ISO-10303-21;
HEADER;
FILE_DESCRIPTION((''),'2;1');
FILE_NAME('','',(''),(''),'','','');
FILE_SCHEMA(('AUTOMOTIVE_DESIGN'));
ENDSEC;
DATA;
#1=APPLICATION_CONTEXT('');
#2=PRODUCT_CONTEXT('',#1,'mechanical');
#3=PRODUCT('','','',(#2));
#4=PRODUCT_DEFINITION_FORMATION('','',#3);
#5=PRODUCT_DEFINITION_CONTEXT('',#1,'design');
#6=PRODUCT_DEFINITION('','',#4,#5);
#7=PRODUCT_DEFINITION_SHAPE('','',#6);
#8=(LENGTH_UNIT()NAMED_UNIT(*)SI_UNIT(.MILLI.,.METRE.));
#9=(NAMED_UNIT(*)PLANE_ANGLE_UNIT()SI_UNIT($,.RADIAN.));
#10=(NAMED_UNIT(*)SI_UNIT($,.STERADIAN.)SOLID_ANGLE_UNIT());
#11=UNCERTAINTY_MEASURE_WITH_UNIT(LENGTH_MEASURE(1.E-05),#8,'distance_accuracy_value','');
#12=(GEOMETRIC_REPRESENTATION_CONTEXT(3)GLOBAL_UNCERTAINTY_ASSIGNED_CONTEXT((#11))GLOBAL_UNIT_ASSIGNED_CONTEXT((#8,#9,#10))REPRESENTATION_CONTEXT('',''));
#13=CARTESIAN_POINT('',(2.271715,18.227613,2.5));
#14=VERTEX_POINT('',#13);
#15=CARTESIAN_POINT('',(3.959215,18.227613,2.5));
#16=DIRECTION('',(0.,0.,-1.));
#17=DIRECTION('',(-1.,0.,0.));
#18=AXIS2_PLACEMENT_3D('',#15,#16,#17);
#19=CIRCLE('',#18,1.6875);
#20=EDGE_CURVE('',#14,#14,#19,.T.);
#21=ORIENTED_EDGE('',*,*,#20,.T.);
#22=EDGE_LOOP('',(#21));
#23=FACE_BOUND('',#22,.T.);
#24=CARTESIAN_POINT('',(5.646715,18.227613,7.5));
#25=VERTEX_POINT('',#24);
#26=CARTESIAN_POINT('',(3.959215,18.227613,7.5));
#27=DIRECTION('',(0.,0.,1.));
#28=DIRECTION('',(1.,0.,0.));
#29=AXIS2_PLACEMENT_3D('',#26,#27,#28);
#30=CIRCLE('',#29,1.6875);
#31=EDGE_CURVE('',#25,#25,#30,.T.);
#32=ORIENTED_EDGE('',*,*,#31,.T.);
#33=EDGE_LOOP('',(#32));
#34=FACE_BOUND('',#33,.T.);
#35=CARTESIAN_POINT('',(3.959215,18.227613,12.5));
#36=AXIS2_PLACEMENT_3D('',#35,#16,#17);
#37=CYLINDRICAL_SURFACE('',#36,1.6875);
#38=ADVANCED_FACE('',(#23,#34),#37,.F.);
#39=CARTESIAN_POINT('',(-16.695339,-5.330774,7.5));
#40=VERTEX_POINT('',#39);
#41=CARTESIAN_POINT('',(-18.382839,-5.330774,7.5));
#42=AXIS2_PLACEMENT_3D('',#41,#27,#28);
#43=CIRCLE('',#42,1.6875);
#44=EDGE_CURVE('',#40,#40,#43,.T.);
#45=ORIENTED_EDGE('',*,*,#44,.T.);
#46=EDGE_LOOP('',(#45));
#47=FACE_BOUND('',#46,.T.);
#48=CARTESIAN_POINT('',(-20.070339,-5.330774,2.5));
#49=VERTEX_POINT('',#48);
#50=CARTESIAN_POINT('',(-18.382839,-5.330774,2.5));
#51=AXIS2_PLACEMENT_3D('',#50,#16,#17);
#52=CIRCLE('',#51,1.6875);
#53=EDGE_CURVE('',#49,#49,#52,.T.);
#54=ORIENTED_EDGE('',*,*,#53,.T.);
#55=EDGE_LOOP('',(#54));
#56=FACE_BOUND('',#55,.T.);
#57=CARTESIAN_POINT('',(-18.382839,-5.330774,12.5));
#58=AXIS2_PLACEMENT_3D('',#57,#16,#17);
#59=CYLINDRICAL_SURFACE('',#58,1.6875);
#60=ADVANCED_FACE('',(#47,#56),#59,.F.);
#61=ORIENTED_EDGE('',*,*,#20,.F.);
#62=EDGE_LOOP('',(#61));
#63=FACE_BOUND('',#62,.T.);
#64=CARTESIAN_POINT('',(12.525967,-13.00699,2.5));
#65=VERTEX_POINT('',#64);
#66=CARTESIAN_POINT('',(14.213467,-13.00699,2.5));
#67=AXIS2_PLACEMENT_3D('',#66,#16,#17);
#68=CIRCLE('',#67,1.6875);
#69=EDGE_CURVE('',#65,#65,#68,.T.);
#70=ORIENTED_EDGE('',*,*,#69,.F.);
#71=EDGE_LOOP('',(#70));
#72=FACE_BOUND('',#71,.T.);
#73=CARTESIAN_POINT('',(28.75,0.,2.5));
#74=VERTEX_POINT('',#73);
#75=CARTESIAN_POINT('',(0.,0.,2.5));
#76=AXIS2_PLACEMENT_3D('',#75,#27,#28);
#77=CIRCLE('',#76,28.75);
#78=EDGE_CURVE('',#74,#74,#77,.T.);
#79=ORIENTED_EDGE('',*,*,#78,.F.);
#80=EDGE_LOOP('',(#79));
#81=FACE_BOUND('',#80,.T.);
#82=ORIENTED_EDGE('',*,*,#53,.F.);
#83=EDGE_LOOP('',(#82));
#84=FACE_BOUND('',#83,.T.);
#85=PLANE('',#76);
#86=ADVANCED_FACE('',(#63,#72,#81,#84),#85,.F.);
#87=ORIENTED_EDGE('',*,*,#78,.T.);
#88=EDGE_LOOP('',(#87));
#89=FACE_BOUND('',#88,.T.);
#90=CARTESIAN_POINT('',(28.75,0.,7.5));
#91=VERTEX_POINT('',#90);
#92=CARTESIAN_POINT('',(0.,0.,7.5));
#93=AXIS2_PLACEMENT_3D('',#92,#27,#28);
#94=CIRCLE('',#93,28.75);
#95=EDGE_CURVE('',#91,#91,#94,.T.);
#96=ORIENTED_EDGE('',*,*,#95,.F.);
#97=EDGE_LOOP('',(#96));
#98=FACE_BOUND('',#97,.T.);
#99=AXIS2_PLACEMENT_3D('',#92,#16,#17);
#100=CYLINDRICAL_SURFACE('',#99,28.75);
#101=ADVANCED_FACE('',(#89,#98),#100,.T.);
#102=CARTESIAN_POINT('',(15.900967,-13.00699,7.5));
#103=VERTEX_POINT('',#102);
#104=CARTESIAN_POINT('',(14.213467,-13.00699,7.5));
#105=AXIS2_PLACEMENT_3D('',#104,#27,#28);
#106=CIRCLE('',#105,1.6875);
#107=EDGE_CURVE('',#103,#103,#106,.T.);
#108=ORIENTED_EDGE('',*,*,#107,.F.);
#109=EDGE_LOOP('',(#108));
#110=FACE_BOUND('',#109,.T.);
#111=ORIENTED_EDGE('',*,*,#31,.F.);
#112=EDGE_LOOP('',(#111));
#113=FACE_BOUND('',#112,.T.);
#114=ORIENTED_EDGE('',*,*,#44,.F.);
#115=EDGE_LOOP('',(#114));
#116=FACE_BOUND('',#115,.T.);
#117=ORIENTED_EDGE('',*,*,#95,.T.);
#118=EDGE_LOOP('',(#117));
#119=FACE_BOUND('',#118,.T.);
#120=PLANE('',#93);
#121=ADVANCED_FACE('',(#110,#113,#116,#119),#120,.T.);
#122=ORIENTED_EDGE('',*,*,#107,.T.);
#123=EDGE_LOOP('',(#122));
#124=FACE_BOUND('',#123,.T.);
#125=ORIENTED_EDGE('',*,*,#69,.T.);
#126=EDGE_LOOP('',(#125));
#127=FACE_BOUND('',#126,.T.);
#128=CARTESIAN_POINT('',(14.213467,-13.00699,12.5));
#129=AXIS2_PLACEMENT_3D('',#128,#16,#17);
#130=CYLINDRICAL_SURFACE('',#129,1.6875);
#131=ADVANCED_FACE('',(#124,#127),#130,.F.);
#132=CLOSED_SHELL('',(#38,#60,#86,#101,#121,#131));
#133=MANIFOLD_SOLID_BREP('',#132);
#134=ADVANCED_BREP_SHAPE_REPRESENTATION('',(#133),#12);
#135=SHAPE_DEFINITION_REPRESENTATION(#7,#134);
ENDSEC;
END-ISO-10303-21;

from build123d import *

# Parameters (mm, degrees)
ESQUISSE1_R             = 57.5
BOSS_EXTRU_1_DEPTH      = 10
ECHELLE1_SCALE          = 2
ECHELLE2_SCALE          = 0.25
ESQUISSE2_R             = 1.6875
ENL_V_MAT_EXTRU_1_DEPTH = 10


with BuildPart() as part:
    # Esquisse1 → Boss.-Extru.1 (new body)
    with BuildSketch(Plane.XY):
        Circle(ESQUISSE1_R)
    extrude(amount=BOSS_EXTRU_1_DEPTH)


with BuildPart() as part_1:
    # Echelle1: scaled about (0, 0, 5)
    add(part.part.scale(ECHELLE1_SCALE).moved(Location((0, 0, -5))))


with BuildPart() as part_2:
    # Echelle2: scaled about (0, 0, 5)
    add(part_1.part.scale(ECHELLE2_SCALE).moved(Location((0, 0, 3.75))))

    # Esquisse2 → Enlèv. mat.-Extru.1 (cut)
    with BuildSketch(Plane(origin=(0, 0, 2.5), x_dir=(-1, 0, 0), z_dir=(0, 0, -1))):
        with Locations((-3.959214709, 18.22761283)):
            Circle(ESQUISSE2_R)
        with Locations((18.38283853, -5.330774337)):
            Circle(ESQUISSE2_R)
        with Locations((-14.213467184, -13.006989818)):
            Circle(ESQUISSE2_R)
    extrude(amount=-ENL_V_MAT_EXTRU_1_DEPTH, mode=Mode.SUBTRACT)


solid = part_2.part
